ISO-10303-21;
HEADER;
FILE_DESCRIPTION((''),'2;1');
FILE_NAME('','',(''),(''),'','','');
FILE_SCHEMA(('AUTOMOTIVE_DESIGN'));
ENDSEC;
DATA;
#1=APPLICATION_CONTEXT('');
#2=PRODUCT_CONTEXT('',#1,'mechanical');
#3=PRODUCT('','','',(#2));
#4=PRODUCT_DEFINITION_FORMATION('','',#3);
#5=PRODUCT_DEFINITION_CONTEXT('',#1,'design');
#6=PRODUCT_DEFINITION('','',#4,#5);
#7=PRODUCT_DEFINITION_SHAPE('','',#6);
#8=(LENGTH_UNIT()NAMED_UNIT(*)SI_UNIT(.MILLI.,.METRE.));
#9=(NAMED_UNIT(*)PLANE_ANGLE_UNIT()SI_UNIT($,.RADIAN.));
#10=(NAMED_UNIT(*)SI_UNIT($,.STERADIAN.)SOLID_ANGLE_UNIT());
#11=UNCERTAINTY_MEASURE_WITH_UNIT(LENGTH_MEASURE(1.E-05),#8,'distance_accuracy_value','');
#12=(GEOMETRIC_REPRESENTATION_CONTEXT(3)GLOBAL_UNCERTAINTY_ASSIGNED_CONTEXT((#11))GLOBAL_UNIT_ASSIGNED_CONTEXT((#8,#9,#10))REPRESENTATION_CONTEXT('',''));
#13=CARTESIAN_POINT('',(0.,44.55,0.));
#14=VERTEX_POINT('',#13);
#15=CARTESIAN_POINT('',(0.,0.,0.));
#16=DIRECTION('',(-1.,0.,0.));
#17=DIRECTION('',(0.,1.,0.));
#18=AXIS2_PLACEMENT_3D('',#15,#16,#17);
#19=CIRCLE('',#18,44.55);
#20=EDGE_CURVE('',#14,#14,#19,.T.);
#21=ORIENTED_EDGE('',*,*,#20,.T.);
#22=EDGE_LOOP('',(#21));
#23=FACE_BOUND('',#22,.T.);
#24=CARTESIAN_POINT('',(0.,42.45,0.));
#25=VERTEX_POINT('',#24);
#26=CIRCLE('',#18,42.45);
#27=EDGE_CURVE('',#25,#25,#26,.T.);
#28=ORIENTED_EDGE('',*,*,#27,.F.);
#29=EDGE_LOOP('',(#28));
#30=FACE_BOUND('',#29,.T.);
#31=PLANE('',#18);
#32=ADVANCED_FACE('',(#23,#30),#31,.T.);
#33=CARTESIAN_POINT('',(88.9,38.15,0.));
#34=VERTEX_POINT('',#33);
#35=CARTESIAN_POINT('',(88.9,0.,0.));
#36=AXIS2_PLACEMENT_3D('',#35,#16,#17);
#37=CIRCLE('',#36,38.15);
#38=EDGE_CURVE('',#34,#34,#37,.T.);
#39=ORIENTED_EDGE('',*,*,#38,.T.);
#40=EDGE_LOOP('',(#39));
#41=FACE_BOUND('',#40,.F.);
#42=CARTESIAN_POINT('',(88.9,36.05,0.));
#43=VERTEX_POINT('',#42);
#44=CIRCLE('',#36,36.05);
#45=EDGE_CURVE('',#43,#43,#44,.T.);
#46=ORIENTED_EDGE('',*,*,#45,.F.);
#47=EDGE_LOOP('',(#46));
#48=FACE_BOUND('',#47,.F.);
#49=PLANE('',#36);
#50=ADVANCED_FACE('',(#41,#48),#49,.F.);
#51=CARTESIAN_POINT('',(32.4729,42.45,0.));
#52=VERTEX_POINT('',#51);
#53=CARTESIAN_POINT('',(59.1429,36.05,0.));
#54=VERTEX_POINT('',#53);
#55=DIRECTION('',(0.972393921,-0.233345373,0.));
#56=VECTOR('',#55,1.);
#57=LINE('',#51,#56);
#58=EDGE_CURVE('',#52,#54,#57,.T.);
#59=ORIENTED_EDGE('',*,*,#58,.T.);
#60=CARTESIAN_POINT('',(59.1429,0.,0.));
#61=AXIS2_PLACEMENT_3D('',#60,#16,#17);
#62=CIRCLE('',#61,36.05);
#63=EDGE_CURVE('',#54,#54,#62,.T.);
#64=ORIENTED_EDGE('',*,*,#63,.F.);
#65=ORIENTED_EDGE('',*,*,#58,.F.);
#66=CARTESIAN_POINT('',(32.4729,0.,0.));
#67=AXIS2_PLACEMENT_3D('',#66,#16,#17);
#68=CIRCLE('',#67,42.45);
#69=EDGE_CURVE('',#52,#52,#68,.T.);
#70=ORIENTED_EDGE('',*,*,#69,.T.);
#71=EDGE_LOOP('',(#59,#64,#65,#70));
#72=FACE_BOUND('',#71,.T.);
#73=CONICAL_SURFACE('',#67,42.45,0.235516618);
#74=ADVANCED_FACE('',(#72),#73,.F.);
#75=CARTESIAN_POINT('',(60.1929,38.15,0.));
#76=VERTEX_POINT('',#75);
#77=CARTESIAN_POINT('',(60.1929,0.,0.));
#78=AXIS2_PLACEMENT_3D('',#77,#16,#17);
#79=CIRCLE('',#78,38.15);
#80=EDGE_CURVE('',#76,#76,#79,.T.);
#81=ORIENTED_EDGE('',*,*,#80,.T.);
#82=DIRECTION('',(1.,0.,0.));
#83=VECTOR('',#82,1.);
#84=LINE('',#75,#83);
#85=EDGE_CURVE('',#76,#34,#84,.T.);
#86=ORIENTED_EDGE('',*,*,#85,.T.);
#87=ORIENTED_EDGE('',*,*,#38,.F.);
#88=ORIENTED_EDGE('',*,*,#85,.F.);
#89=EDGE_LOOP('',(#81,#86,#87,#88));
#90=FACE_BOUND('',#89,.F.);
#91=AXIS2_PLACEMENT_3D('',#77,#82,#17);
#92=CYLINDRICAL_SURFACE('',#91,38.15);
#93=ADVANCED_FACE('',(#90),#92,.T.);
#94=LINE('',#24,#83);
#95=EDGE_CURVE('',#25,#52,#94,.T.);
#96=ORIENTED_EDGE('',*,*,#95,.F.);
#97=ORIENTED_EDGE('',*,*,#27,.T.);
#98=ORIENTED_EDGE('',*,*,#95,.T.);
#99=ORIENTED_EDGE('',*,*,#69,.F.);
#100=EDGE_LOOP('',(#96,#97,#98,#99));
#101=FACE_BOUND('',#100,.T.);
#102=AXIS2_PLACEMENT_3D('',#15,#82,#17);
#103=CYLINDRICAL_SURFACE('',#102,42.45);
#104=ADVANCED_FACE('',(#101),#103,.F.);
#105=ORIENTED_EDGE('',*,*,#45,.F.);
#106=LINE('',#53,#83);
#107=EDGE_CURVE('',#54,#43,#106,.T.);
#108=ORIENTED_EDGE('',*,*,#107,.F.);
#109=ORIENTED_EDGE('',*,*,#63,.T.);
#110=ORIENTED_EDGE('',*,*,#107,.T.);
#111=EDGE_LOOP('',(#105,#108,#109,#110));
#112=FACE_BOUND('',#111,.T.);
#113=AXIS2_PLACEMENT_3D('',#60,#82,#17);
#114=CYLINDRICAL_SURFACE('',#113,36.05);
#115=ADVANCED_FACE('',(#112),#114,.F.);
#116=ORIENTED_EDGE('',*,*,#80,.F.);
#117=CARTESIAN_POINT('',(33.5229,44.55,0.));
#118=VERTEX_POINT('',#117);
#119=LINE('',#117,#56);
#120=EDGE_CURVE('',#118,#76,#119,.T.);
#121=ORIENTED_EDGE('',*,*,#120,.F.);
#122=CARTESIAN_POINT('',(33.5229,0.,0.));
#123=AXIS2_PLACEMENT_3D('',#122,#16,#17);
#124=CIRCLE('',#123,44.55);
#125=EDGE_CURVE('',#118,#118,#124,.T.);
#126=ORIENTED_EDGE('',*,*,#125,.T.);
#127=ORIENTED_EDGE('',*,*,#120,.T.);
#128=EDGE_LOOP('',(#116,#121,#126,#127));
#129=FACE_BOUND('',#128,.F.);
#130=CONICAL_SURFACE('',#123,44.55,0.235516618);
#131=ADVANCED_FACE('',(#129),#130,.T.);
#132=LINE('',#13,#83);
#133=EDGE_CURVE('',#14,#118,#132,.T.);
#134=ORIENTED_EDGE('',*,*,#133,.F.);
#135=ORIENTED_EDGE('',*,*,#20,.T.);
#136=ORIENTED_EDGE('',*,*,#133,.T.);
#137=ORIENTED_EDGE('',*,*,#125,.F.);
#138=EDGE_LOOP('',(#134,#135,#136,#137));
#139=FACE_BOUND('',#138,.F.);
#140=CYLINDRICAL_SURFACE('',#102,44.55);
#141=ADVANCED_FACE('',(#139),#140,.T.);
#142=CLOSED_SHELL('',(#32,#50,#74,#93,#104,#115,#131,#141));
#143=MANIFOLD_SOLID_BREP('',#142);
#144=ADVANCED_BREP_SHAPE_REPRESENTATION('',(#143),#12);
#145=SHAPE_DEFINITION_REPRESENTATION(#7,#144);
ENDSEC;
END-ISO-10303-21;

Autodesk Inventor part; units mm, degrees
ref_plane "YZ Plane" through (0, 0, 0) normal (1, 0, 0) x (0, 1, 0)
ref_plane "XZ Plane" through (0, 0, 0) normal (0, 1, 0) x (-1, 0, 0)
ref_plane "XY Plane" through (0, 0, 0) normal (0, 0, 1) x (1, 0, 0)
sketch "Sketch1" plane through (0, 0, 0) normal (0, 0, 1) x (1, 0, 0)
  line L0 (88.9, 0) -> (0, 0)
  line L1 (0, 44.55) -> (33.5229, 44.55)
  line L2 (33.5229, 44.55) -> (60.1929, 38.15)
  line L3 (60.1929, 38.15) -> (88.9, 38.15)
  line L4 (0, 44.55) -> (0, 42.45)
  line L5 (0, 42.45) -> (32.4729, 42.45)
  line L6 (32.4729, 42.45) -> (59.1429, 36.05)
  line L7 (59.1429, 36.05) -> (88.9, 36.05)
  line L8 (88.9, 38.15) -> (88.9, 36.05)
  line L9 (0, 42.45) -> (0, 0) construction
  line L10 (88.9, 36.05) -> (88.9, 0) construction
  dimension "d0" = 89.1
  dimension "d1" = 76.3
  dimension "d2" = 88.9
  dimension "d3" = 2.1
  dimension "d4" = 2.1
  dimension "d5" = 32.4729
  dimension "d6" = 26.67
  dimension "d7" = 26.67
  dimension "d8" = 33.5229
revolve "Revolution1" add sketch "Sketch1" angle 360 about axis through (88.9, 0, 0) along (-1, 0, 0)
equation "\"d0\" = D1"
equation "\"d1\" = D2"
equation "\"d2\" = H"
equation "\"d3\" = t1"
equation "\"d4\" = t2"
equation "\"d6\" = 0.3 * H"
equation "\"d7\" = 0.3 * H"
equation "\"D1\" = 89.1"
equation "\"D2\" = 76.3"
equation "\"H\" = 88.9"
equation "\"t1\" = 2.1"
equation "\"t2\" = 2.1"
equation "\"Size_Designation\" = 1.2345"
properties part number "JIS B 2312 Concentric Reducer Stainless Steel 80A x 65A x Sch5S" material "Stainless Steel"
